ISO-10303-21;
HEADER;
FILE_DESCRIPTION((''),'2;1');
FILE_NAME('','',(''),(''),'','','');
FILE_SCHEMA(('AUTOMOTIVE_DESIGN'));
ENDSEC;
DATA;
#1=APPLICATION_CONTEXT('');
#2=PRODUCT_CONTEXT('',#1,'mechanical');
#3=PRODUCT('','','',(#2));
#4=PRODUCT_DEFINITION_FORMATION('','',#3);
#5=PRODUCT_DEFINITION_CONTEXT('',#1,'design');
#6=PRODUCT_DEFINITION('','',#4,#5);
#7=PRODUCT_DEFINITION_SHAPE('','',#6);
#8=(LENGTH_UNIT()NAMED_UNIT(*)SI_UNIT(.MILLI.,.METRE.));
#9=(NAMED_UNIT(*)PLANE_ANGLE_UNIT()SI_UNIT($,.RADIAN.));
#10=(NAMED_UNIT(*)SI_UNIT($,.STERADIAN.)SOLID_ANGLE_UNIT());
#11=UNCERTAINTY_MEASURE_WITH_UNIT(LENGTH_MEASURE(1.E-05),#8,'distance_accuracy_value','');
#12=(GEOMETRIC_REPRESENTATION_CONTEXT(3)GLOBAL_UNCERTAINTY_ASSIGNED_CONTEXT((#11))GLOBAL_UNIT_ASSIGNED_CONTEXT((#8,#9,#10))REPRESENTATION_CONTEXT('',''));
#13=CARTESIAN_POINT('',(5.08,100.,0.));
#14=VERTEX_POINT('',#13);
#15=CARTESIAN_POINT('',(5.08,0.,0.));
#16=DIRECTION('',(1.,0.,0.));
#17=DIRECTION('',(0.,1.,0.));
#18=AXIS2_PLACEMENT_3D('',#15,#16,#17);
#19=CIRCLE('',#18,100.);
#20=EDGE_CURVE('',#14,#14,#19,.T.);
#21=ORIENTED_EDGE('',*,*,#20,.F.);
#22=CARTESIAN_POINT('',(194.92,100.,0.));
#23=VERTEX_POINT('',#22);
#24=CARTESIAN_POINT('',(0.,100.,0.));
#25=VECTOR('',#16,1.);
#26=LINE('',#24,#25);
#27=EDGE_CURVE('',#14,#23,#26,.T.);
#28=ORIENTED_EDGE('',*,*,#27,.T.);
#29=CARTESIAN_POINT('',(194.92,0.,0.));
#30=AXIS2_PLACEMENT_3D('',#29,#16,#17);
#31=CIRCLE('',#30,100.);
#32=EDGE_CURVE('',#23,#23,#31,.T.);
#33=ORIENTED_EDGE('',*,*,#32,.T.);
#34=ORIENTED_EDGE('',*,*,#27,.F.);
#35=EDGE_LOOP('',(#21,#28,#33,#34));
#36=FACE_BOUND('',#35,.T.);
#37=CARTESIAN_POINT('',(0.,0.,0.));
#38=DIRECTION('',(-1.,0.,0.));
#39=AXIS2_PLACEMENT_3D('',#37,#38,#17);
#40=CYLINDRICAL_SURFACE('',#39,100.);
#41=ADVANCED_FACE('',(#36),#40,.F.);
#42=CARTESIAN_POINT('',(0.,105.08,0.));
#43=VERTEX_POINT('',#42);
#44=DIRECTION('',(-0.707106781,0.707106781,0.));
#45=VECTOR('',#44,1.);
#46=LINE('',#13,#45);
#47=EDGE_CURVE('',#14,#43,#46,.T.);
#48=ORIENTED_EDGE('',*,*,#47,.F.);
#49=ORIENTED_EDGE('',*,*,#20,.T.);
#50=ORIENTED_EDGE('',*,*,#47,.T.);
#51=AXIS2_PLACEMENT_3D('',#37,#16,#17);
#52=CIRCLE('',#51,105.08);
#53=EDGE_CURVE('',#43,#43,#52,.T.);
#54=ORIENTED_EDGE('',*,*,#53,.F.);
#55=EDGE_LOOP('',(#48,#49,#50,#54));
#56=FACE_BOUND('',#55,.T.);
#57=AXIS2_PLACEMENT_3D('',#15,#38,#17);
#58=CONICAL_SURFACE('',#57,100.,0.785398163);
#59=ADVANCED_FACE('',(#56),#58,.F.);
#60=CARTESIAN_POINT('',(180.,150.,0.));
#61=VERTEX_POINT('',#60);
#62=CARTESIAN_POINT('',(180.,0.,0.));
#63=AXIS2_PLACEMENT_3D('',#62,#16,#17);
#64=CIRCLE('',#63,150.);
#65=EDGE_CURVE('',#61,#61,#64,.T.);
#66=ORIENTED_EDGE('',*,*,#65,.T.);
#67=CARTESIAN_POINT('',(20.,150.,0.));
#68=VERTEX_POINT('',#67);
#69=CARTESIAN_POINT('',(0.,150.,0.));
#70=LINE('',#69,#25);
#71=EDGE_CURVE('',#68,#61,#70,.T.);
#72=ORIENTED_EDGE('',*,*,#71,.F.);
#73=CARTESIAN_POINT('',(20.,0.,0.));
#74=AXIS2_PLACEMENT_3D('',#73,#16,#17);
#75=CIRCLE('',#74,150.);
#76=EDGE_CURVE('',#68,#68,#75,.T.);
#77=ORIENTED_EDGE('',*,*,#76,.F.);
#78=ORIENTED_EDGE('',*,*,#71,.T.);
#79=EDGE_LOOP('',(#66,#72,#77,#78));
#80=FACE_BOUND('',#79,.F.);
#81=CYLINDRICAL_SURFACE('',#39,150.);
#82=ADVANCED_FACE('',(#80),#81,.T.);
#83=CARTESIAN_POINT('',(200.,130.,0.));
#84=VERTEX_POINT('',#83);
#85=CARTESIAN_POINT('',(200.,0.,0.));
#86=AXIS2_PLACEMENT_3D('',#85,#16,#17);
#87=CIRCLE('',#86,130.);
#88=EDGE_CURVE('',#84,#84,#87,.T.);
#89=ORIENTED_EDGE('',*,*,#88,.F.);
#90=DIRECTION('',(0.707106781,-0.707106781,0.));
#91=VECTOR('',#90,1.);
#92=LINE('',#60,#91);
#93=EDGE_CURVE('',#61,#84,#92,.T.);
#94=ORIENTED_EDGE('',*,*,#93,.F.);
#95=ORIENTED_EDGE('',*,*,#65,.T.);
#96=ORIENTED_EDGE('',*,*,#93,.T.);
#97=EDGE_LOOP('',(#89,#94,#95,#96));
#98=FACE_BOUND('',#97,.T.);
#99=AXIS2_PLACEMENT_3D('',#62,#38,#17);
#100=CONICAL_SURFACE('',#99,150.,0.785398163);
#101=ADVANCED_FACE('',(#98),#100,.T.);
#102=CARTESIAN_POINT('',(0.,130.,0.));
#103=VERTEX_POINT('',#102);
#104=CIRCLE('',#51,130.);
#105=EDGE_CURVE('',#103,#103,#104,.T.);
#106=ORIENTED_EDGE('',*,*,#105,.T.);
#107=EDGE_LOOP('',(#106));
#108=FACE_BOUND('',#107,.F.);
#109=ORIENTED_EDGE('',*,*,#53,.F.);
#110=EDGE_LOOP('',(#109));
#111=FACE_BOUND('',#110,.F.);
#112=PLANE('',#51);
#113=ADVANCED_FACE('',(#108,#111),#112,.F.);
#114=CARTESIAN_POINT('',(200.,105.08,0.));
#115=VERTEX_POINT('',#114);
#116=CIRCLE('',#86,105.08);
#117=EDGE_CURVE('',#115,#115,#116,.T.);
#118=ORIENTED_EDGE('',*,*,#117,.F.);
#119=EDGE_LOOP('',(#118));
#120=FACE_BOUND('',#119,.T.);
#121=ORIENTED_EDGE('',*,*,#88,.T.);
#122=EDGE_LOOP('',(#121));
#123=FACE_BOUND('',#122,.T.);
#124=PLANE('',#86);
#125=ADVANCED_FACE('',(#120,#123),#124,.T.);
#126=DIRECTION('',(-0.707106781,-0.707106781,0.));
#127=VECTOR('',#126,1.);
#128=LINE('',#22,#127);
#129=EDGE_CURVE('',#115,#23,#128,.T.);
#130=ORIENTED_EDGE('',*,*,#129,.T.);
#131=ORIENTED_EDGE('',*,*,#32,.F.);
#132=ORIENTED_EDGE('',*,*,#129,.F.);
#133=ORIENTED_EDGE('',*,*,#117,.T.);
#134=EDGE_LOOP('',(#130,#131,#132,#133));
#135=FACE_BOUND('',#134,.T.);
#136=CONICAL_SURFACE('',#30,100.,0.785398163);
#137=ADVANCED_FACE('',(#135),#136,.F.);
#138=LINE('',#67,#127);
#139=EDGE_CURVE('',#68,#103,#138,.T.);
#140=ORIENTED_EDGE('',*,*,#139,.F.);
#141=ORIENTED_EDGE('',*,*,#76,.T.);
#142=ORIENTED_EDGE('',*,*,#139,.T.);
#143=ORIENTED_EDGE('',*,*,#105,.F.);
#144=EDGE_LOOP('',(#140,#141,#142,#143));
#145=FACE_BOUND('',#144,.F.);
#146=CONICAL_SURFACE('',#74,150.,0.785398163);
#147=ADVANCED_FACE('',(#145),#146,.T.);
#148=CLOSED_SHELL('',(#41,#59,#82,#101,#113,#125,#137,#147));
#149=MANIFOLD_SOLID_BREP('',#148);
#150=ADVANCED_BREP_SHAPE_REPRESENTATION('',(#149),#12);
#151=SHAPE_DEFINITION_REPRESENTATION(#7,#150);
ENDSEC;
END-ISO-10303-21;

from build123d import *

# Parameters (mm, degrees)
F0_R     = 150
F0_R_2   = 100
F1_DEPTH = 200
F2_SIZE  = 20
F3_SIZE  = 20
F4_SIZE  = 5.08
F5_SIZE  = 5.08


with BuildPart() as f1:
    # F0 (on Right) → F1 (new body)
    with BuildSketch(Plane.YZ):
        Circle(F0_R)
        Circle(F0_R_2, mode=Mode.SUBTRACT)
    extrude(amount=F1_DEPTH)

    # F2
    f2_edges = [f1.edges().sort_by_distance(p)[0] for p in [
        (200, -150, 0),
    ]]
    chamfer(f2_edges, length=F2_SIZE)

    # F3
    f3_edges = [f1.edges().sort_by_distance(p)[0] for p in [
        (0, -150, 0),
    ]]
    chamfer(f3_edges, length=F3_SIZE)

    # F4
    f4_edges = [f1.edges().sort_by_distance(p)[0] for p in [
        (200, -100, 0),
    ]]
    chamfer(f4_edges, length=F4_SIZE)

    # F5
    f5_edges = [f1.edges().sort_by_distance(p)[0] for p in [
        (0, -100, 0),
    ]]
    chamfer(f5_edges, length=F5_SIZE)


solid = f1.part
